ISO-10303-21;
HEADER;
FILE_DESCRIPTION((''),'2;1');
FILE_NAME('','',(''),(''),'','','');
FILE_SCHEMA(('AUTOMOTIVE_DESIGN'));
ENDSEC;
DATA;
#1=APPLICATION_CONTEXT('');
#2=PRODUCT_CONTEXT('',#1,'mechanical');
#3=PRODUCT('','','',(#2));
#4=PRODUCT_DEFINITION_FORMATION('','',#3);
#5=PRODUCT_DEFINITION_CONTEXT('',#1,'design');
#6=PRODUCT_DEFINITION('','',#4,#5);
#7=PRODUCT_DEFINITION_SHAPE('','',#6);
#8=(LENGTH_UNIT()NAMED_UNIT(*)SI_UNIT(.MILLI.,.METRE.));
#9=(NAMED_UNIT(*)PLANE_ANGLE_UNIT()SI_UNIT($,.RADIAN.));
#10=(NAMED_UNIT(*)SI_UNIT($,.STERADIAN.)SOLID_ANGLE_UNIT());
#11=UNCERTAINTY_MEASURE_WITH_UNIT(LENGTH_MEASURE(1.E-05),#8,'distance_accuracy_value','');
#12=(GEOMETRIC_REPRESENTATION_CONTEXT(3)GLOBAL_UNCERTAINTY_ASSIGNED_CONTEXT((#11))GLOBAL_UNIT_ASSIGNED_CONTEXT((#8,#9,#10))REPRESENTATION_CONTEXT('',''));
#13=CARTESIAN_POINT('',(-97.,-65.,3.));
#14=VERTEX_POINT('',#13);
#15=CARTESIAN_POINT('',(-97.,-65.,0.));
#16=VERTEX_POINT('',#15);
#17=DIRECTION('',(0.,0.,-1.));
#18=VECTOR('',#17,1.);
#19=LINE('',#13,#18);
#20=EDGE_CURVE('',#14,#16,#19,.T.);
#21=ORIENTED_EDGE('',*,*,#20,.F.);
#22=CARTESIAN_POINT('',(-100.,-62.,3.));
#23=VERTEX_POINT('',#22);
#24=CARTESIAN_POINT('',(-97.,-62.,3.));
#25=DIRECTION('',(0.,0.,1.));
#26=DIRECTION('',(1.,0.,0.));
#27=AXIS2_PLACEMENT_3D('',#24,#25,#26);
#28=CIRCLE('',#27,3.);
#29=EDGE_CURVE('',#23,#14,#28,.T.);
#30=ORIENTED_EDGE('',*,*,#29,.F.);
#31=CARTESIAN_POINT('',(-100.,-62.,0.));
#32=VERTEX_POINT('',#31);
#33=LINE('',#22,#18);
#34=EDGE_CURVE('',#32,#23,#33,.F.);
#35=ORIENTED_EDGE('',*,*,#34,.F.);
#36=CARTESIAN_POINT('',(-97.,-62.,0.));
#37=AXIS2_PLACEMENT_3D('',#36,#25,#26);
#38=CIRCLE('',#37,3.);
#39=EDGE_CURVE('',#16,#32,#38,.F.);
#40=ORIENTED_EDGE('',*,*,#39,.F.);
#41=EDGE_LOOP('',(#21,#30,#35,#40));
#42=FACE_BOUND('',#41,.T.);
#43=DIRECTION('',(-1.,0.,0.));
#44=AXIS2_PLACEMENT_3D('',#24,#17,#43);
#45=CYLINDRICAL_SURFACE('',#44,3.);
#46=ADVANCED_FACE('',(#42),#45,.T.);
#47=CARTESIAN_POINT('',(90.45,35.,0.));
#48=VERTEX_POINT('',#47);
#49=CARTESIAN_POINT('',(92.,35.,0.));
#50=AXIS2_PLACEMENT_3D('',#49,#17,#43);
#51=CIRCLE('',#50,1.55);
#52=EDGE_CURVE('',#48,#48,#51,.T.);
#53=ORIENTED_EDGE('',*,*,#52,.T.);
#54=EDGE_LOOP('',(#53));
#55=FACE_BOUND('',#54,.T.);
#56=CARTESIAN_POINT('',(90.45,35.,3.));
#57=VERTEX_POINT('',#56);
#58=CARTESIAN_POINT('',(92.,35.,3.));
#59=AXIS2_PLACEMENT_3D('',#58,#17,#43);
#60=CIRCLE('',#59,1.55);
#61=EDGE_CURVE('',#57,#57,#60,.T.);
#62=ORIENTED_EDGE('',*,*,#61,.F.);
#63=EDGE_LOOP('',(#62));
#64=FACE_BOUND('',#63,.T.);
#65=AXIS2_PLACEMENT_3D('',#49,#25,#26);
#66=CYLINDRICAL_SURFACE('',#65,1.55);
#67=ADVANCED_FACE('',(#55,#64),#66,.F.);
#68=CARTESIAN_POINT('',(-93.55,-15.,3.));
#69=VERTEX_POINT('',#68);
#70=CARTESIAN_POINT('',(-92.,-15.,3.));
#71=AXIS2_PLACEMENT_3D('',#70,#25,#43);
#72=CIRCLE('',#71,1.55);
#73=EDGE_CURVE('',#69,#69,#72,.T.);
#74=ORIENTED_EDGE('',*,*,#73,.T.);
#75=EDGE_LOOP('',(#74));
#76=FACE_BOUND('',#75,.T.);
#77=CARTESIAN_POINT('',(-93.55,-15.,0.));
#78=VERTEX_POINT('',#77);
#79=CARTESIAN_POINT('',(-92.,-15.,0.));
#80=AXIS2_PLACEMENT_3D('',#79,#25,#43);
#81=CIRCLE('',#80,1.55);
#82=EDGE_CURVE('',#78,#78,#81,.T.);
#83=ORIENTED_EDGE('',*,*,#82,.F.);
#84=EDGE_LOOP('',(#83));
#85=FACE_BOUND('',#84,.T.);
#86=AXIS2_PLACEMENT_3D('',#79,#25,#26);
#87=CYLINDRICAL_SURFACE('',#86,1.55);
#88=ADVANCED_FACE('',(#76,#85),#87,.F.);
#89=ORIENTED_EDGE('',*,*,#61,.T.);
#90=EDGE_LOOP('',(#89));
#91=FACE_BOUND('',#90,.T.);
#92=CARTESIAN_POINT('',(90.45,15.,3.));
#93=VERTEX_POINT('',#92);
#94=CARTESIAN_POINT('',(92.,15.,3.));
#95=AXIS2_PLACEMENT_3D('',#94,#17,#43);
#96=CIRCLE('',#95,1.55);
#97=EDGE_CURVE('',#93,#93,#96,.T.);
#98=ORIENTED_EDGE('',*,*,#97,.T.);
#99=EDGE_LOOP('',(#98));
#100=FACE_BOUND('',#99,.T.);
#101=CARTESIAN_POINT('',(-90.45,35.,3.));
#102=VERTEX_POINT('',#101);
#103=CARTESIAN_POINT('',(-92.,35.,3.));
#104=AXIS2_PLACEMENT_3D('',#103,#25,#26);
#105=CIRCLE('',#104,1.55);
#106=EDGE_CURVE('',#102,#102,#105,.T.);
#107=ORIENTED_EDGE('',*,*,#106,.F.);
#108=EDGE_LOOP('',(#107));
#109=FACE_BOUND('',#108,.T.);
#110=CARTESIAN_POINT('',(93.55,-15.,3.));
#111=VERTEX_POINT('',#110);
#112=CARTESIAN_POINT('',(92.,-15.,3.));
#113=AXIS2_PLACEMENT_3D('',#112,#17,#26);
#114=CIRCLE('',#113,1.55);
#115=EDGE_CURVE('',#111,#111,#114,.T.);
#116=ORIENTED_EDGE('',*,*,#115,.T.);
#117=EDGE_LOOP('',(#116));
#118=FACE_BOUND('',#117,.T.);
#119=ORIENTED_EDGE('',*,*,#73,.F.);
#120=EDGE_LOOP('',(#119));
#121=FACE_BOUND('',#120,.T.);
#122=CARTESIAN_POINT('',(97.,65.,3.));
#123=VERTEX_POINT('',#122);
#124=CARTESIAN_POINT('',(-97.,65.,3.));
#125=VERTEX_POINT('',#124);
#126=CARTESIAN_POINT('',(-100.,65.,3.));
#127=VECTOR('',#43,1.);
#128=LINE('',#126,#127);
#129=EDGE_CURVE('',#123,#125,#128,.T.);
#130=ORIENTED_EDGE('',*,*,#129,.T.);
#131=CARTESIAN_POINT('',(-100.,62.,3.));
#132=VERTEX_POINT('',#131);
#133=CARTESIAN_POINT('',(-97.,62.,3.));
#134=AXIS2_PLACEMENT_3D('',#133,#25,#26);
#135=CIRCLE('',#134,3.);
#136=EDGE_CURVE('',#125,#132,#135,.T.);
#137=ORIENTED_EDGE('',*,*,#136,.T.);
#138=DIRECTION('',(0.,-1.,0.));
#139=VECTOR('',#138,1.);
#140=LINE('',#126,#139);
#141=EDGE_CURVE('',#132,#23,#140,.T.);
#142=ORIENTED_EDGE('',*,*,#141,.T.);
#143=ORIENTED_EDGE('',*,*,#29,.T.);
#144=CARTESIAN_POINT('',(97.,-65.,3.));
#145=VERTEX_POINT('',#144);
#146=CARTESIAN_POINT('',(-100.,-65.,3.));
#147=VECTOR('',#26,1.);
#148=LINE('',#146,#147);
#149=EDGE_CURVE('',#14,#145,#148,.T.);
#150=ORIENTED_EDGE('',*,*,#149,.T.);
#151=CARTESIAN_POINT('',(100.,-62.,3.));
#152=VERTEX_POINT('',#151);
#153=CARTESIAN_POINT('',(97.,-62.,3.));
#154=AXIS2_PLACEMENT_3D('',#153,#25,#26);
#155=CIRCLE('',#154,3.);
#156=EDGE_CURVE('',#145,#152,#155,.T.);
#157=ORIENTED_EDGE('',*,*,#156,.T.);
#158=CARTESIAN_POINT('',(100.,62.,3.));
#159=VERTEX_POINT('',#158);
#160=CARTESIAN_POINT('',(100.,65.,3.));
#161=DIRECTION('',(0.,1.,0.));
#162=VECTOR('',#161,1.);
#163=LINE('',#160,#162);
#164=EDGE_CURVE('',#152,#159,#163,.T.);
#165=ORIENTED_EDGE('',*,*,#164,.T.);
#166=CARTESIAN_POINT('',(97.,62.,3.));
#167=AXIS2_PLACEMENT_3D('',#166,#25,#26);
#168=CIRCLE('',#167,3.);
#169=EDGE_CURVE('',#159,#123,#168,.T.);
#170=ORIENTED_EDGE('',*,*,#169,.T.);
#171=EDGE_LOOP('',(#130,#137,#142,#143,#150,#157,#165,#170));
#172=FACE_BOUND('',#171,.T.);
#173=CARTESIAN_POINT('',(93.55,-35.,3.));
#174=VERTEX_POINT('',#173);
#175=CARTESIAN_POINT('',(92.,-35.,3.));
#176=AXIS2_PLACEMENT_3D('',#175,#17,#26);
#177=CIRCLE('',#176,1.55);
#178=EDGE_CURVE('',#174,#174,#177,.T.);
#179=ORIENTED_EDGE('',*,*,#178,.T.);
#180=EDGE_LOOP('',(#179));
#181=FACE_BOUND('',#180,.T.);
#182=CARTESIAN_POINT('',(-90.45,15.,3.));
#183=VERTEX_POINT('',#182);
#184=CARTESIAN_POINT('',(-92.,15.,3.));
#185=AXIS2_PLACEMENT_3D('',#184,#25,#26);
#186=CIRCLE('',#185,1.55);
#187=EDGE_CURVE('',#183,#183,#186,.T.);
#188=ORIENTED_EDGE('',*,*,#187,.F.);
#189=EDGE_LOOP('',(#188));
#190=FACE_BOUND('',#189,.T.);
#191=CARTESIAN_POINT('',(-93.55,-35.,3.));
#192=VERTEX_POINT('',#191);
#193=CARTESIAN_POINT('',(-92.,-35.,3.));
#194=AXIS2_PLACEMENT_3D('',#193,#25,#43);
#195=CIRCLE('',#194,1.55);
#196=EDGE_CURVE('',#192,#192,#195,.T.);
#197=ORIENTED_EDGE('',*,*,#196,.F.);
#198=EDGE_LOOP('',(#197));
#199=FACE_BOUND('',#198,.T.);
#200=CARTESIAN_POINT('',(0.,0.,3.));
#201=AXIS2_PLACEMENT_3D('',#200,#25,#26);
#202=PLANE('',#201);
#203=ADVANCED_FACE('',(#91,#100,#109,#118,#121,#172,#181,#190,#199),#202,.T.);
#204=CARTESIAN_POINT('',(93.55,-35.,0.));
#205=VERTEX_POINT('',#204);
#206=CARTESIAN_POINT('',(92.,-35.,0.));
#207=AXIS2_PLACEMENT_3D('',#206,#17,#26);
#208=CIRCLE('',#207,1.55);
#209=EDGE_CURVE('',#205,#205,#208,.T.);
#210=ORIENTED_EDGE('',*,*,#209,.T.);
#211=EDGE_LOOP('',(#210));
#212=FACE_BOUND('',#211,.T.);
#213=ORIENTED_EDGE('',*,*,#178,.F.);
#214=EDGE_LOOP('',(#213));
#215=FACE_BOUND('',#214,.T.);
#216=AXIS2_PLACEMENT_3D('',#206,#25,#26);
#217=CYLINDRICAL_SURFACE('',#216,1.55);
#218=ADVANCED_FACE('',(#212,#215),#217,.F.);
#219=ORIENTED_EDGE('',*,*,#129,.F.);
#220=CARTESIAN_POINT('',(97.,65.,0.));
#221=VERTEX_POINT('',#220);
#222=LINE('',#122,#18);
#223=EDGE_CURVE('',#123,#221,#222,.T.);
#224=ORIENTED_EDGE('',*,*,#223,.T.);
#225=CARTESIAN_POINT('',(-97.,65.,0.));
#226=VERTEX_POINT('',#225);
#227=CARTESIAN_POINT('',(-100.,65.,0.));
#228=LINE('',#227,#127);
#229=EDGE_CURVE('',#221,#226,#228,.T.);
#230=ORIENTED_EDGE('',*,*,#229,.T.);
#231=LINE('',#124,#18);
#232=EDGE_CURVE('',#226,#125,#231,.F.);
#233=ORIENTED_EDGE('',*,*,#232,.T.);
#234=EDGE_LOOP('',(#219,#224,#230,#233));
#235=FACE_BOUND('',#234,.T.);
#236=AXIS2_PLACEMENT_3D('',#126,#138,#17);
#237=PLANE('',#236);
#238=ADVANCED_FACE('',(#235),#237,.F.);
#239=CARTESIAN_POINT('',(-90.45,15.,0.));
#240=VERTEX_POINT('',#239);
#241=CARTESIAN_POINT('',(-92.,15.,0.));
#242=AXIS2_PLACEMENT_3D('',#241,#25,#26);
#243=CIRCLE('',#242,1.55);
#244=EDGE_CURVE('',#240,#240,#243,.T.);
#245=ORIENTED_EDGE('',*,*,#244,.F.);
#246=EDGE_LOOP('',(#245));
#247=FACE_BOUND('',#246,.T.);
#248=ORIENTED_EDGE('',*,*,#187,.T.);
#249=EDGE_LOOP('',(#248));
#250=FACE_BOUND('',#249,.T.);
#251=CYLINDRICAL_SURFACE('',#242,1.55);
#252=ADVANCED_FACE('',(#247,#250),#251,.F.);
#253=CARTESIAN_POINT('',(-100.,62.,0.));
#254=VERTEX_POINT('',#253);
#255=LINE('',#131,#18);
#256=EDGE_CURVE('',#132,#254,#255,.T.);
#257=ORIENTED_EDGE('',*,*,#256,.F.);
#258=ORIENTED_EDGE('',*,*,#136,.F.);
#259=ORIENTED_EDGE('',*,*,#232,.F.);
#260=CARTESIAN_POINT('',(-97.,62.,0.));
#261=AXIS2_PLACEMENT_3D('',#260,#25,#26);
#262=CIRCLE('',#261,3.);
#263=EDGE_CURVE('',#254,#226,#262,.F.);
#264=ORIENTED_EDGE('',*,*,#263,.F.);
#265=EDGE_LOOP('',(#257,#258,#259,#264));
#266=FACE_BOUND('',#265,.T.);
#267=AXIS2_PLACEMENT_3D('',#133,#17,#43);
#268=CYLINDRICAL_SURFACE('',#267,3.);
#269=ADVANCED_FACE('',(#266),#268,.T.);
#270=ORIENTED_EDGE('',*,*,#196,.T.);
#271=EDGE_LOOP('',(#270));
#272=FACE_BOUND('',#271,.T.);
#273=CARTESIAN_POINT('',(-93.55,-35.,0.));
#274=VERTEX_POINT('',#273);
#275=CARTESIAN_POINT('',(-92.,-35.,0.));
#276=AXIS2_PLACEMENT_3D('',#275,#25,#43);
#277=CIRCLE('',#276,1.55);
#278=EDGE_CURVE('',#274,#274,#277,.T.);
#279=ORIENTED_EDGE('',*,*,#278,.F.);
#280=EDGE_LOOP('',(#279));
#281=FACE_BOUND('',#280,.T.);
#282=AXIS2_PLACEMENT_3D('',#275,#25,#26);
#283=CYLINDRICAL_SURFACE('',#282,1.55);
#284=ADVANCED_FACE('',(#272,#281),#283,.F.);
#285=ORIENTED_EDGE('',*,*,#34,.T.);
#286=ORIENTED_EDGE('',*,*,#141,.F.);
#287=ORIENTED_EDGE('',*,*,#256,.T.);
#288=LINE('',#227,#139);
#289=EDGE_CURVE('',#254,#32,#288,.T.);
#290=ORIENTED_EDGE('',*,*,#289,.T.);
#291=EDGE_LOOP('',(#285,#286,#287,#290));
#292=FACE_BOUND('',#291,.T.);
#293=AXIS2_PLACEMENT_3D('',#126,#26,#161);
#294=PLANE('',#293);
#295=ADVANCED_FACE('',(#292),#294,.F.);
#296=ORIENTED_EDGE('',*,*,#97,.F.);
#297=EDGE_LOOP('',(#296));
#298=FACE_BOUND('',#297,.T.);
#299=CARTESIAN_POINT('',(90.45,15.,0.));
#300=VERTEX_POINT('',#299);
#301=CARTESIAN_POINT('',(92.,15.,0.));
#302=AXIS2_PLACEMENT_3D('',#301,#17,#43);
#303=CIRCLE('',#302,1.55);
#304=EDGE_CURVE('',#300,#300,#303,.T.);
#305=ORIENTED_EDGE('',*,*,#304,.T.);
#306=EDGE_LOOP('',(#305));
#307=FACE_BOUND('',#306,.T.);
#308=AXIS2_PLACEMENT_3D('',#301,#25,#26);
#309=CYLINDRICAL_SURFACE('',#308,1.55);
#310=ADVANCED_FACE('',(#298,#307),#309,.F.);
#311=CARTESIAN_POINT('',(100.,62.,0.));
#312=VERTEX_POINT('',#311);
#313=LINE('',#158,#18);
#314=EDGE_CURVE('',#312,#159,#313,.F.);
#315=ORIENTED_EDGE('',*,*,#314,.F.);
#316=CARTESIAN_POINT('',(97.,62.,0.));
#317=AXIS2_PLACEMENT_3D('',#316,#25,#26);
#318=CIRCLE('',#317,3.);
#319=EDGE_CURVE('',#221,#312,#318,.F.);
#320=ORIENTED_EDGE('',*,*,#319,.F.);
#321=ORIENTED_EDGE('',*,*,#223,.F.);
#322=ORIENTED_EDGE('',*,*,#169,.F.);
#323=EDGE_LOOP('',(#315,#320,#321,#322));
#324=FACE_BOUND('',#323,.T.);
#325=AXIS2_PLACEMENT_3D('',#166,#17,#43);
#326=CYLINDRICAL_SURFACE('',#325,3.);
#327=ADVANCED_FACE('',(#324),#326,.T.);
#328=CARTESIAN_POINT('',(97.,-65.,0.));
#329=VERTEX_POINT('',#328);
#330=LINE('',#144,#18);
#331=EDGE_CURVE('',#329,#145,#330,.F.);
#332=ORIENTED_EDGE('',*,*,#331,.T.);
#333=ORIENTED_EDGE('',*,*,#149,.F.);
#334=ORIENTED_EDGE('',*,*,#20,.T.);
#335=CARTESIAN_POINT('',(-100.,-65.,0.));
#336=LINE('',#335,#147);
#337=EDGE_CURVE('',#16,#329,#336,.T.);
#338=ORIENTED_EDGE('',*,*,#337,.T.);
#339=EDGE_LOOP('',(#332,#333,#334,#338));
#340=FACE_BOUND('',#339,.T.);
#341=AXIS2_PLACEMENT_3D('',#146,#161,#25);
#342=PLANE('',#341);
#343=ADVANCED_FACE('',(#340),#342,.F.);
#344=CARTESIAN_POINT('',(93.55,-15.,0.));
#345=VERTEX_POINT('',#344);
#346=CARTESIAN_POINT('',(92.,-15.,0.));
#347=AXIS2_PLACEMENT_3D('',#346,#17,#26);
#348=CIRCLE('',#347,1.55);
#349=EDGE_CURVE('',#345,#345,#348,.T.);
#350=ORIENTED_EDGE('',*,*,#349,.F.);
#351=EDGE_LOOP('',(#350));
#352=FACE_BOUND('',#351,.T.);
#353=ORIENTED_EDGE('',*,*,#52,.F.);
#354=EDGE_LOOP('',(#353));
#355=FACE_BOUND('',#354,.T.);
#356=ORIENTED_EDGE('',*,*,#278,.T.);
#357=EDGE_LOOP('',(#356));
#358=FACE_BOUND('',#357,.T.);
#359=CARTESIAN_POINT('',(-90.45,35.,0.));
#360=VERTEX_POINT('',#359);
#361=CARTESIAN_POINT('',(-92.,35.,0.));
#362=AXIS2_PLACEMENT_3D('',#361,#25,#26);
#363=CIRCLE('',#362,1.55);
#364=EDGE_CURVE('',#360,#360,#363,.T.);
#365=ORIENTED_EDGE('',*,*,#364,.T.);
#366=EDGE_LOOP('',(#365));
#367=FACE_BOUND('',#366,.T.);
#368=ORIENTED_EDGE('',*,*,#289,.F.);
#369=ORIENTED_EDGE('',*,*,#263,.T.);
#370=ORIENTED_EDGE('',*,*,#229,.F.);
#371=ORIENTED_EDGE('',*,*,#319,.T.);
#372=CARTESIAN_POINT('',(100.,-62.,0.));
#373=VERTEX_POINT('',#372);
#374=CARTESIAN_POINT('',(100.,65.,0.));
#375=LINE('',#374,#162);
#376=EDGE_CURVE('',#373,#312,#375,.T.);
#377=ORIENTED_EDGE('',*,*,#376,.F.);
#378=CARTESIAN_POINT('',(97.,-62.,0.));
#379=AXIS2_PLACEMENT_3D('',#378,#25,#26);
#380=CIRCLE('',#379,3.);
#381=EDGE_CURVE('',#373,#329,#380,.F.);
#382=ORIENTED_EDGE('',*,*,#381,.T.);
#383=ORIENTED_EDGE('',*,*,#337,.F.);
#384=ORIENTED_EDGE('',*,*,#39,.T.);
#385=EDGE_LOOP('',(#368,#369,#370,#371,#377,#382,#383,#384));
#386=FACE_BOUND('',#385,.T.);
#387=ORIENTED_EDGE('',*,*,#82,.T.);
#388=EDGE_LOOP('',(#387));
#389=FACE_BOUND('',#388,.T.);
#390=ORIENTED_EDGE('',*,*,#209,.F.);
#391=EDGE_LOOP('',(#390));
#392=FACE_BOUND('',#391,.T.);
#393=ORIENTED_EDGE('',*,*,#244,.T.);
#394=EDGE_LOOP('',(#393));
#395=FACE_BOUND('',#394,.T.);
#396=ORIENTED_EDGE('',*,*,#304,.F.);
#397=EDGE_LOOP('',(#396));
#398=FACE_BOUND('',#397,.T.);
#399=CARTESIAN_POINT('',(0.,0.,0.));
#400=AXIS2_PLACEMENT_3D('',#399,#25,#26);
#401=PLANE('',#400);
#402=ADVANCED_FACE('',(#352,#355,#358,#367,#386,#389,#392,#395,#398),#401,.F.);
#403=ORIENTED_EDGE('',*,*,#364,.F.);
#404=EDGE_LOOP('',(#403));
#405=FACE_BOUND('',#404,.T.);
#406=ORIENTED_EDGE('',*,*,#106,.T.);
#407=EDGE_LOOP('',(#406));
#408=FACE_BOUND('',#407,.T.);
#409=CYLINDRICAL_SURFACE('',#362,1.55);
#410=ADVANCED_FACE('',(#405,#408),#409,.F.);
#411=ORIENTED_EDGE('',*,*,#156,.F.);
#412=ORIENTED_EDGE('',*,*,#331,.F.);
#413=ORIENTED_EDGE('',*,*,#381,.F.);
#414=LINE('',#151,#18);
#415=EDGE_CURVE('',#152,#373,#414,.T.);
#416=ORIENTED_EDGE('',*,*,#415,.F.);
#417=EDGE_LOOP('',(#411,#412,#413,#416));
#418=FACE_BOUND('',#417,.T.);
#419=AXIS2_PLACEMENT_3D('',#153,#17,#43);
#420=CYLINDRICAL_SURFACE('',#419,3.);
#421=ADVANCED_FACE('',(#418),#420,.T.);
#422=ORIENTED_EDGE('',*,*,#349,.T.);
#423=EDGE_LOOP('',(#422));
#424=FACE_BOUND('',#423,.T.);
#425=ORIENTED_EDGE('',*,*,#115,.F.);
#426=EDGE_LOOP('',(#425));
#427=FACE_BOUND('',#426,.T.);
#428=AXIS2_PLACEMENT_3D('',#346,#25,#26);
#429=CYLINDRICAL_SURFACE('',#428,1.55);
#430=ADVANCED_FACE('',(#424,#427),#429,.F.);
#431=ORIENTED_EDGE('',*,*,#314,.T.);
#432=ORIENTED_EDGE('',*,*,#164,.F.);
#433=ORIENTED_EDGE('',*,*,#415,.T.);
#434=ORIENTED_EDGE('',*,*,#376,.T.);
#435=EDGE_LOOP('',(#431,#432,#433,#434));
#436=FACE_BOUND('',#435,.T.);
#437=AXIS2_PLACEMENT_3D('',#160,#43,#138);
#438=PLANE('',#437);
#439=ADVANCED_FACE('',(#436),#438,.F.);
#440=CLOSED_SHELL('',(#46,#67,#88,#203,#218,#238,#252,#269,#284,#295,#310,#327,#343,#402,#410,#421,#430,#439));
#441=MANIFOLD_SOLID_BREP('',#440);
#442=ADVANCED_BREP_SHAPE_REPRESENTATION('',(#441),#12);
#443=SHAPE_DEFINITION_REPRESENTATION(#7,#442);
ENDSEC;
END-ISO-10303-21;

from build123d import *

# Parameters (mm, degrees)
SKETCH_1_W          = 200
SKETCH_1_H          = 130
EXTRUDE_1_DEPTH     = 3
SKETCH_2_R          = 1.55
CUT_EXTRUDE_1_DEPTH = 3
FILLET_2_R          = 3


with BuildPart() as part:
    # 草图1 → 凸台-拉伸1 (new body)
    with BuildSketch(Plane.XY):
        Rectangle(SKETCH_1_W, SKETCH_1_H)
    extrude(amount=EXTRUDE_1_DEPTH)

    # 草图2 → 切除-拉伸1 (cut)
    with BuildSketch(Plane.XY.offset(3)):
        with Locations((-92, 35)):
            Circle(SKETCH_2_R)
        with Locations((-92, 15)):
            Circle(SKETCH_2_R)
        with Locations(Location((-92, -15, 0), (0, 0, 180))):
            Circle(SKETCH_2_R)
        with Locations(Location((-92, -35, 0), (0, 0, 180))):
            Circle(SKETCH_2_R)
    cut_extrude_1 = extrude(amount=-CUT_EXTRUDE_1_DEPTH, mode=Mode.SUBTRACT)

    # 镜向1: 切除-拉伸1 across plane
    add(cut_extrude_1.mirror(Plane(origin=(0, 0, 0), x_dir=(0, 0, 1), z_dir=(1, 0, 0))), mode=Mode.SUBTRACT)

    # 圆角2
    fillet_2_edges = [part.edges().sort_by_distance(p)[0] for p in [
        (100, -65, 1.5),
        (-100, -65, 1.5),
        (-100, 65, 1.5),
        (100, 65, 1.5),
    ]]
    fillet(fillet_2_edges, radius=FILLET_2_R)


solid = part.part
